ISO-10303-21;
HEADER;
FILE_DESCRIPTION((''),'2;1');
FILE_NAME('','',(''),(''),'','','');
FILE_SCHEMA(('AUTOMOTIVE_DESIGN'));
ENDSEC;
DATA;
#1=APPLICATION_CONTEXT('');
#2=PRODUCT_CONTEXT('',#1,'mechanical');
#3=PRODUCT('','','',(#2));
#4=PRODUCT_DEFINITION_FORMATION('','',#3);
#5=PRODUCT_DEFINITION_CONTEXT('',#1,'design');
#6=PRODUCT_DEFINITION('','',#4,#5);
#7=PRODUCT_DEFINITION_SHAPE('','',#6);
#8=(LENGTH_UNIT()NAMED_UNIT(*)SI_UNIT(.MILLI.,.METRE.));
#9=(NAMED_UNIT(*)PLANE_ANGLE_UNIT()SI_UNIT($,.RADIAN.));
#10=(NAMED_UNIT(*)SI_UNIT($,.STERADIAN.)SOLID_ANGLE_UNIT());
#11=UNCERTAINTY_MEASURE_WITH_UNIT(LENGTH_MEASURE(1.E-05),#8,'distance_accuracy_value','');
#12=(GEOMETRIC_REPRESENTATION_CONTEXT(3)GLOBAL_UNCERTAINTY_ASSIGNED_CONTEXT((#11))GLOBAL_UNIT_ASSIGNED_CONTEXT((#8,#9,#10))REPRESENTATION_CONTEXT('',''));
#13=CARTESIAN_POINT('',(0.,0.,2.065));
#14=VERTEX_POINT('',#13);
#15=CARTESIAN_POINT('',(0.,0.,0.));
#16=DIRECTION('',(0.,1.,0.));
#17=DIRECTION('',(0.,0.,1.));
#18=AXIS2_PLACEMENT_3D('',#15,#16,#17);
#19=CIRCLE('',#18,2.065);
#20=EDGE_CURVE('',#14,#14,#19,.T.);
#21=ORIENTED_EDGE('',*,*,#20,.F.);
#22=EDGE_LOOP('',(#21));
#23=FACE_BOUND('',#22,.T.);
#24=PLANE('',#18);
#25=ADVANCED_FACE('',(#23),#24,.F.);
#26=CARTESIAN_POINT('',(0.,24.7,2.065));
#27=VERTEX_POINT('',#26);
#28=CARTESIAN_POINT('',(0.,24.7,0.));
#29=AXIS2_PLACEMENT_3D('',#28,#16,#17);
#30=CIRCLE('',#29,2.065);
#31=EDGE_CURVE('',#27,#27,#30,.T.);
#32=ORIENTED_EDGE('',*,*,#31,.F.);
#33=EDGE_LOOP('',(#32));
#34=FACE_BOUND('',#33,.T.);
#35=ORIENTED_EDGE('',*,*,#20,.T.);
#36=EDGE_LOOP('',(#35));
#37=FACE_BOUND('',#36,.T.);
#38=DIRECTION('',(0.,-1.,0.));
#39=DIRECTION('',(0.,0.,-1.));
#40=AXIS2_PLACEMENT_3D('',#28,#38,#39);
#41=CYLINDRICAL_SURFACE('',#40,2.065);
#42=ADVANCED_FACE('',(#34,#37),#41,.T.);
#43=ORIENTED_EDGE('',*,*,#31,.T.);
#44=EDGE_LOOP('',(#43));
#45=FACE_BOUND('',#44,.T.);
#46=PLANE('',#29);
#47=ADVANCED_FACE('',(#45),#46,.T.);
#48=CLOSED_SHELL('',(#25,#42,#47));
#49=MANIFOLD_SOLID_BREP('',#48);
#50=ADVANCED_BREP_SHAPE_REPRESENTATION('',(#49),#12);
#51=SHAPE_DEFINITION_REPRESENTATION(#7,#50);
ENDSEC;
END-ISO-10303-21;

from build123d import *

# Parameters (mm, degrees)
SKETCH1_R           = 2.065
BOSS_EXTRUDE1_DEPTH = 24.7


with BuildPart() as part:
    # Sketch1 → Boss-Extrude1 (new body)
    with BuildSketch(Plane(origin=(0, 0, 0), x_dir=(1, 0, 0), z_dir=(0, 1, 0))):
        Circle(SKETCH1_R)
    extrude(amount=BOSS_EXTRUDE1_DEPTH)


solid = part.part
